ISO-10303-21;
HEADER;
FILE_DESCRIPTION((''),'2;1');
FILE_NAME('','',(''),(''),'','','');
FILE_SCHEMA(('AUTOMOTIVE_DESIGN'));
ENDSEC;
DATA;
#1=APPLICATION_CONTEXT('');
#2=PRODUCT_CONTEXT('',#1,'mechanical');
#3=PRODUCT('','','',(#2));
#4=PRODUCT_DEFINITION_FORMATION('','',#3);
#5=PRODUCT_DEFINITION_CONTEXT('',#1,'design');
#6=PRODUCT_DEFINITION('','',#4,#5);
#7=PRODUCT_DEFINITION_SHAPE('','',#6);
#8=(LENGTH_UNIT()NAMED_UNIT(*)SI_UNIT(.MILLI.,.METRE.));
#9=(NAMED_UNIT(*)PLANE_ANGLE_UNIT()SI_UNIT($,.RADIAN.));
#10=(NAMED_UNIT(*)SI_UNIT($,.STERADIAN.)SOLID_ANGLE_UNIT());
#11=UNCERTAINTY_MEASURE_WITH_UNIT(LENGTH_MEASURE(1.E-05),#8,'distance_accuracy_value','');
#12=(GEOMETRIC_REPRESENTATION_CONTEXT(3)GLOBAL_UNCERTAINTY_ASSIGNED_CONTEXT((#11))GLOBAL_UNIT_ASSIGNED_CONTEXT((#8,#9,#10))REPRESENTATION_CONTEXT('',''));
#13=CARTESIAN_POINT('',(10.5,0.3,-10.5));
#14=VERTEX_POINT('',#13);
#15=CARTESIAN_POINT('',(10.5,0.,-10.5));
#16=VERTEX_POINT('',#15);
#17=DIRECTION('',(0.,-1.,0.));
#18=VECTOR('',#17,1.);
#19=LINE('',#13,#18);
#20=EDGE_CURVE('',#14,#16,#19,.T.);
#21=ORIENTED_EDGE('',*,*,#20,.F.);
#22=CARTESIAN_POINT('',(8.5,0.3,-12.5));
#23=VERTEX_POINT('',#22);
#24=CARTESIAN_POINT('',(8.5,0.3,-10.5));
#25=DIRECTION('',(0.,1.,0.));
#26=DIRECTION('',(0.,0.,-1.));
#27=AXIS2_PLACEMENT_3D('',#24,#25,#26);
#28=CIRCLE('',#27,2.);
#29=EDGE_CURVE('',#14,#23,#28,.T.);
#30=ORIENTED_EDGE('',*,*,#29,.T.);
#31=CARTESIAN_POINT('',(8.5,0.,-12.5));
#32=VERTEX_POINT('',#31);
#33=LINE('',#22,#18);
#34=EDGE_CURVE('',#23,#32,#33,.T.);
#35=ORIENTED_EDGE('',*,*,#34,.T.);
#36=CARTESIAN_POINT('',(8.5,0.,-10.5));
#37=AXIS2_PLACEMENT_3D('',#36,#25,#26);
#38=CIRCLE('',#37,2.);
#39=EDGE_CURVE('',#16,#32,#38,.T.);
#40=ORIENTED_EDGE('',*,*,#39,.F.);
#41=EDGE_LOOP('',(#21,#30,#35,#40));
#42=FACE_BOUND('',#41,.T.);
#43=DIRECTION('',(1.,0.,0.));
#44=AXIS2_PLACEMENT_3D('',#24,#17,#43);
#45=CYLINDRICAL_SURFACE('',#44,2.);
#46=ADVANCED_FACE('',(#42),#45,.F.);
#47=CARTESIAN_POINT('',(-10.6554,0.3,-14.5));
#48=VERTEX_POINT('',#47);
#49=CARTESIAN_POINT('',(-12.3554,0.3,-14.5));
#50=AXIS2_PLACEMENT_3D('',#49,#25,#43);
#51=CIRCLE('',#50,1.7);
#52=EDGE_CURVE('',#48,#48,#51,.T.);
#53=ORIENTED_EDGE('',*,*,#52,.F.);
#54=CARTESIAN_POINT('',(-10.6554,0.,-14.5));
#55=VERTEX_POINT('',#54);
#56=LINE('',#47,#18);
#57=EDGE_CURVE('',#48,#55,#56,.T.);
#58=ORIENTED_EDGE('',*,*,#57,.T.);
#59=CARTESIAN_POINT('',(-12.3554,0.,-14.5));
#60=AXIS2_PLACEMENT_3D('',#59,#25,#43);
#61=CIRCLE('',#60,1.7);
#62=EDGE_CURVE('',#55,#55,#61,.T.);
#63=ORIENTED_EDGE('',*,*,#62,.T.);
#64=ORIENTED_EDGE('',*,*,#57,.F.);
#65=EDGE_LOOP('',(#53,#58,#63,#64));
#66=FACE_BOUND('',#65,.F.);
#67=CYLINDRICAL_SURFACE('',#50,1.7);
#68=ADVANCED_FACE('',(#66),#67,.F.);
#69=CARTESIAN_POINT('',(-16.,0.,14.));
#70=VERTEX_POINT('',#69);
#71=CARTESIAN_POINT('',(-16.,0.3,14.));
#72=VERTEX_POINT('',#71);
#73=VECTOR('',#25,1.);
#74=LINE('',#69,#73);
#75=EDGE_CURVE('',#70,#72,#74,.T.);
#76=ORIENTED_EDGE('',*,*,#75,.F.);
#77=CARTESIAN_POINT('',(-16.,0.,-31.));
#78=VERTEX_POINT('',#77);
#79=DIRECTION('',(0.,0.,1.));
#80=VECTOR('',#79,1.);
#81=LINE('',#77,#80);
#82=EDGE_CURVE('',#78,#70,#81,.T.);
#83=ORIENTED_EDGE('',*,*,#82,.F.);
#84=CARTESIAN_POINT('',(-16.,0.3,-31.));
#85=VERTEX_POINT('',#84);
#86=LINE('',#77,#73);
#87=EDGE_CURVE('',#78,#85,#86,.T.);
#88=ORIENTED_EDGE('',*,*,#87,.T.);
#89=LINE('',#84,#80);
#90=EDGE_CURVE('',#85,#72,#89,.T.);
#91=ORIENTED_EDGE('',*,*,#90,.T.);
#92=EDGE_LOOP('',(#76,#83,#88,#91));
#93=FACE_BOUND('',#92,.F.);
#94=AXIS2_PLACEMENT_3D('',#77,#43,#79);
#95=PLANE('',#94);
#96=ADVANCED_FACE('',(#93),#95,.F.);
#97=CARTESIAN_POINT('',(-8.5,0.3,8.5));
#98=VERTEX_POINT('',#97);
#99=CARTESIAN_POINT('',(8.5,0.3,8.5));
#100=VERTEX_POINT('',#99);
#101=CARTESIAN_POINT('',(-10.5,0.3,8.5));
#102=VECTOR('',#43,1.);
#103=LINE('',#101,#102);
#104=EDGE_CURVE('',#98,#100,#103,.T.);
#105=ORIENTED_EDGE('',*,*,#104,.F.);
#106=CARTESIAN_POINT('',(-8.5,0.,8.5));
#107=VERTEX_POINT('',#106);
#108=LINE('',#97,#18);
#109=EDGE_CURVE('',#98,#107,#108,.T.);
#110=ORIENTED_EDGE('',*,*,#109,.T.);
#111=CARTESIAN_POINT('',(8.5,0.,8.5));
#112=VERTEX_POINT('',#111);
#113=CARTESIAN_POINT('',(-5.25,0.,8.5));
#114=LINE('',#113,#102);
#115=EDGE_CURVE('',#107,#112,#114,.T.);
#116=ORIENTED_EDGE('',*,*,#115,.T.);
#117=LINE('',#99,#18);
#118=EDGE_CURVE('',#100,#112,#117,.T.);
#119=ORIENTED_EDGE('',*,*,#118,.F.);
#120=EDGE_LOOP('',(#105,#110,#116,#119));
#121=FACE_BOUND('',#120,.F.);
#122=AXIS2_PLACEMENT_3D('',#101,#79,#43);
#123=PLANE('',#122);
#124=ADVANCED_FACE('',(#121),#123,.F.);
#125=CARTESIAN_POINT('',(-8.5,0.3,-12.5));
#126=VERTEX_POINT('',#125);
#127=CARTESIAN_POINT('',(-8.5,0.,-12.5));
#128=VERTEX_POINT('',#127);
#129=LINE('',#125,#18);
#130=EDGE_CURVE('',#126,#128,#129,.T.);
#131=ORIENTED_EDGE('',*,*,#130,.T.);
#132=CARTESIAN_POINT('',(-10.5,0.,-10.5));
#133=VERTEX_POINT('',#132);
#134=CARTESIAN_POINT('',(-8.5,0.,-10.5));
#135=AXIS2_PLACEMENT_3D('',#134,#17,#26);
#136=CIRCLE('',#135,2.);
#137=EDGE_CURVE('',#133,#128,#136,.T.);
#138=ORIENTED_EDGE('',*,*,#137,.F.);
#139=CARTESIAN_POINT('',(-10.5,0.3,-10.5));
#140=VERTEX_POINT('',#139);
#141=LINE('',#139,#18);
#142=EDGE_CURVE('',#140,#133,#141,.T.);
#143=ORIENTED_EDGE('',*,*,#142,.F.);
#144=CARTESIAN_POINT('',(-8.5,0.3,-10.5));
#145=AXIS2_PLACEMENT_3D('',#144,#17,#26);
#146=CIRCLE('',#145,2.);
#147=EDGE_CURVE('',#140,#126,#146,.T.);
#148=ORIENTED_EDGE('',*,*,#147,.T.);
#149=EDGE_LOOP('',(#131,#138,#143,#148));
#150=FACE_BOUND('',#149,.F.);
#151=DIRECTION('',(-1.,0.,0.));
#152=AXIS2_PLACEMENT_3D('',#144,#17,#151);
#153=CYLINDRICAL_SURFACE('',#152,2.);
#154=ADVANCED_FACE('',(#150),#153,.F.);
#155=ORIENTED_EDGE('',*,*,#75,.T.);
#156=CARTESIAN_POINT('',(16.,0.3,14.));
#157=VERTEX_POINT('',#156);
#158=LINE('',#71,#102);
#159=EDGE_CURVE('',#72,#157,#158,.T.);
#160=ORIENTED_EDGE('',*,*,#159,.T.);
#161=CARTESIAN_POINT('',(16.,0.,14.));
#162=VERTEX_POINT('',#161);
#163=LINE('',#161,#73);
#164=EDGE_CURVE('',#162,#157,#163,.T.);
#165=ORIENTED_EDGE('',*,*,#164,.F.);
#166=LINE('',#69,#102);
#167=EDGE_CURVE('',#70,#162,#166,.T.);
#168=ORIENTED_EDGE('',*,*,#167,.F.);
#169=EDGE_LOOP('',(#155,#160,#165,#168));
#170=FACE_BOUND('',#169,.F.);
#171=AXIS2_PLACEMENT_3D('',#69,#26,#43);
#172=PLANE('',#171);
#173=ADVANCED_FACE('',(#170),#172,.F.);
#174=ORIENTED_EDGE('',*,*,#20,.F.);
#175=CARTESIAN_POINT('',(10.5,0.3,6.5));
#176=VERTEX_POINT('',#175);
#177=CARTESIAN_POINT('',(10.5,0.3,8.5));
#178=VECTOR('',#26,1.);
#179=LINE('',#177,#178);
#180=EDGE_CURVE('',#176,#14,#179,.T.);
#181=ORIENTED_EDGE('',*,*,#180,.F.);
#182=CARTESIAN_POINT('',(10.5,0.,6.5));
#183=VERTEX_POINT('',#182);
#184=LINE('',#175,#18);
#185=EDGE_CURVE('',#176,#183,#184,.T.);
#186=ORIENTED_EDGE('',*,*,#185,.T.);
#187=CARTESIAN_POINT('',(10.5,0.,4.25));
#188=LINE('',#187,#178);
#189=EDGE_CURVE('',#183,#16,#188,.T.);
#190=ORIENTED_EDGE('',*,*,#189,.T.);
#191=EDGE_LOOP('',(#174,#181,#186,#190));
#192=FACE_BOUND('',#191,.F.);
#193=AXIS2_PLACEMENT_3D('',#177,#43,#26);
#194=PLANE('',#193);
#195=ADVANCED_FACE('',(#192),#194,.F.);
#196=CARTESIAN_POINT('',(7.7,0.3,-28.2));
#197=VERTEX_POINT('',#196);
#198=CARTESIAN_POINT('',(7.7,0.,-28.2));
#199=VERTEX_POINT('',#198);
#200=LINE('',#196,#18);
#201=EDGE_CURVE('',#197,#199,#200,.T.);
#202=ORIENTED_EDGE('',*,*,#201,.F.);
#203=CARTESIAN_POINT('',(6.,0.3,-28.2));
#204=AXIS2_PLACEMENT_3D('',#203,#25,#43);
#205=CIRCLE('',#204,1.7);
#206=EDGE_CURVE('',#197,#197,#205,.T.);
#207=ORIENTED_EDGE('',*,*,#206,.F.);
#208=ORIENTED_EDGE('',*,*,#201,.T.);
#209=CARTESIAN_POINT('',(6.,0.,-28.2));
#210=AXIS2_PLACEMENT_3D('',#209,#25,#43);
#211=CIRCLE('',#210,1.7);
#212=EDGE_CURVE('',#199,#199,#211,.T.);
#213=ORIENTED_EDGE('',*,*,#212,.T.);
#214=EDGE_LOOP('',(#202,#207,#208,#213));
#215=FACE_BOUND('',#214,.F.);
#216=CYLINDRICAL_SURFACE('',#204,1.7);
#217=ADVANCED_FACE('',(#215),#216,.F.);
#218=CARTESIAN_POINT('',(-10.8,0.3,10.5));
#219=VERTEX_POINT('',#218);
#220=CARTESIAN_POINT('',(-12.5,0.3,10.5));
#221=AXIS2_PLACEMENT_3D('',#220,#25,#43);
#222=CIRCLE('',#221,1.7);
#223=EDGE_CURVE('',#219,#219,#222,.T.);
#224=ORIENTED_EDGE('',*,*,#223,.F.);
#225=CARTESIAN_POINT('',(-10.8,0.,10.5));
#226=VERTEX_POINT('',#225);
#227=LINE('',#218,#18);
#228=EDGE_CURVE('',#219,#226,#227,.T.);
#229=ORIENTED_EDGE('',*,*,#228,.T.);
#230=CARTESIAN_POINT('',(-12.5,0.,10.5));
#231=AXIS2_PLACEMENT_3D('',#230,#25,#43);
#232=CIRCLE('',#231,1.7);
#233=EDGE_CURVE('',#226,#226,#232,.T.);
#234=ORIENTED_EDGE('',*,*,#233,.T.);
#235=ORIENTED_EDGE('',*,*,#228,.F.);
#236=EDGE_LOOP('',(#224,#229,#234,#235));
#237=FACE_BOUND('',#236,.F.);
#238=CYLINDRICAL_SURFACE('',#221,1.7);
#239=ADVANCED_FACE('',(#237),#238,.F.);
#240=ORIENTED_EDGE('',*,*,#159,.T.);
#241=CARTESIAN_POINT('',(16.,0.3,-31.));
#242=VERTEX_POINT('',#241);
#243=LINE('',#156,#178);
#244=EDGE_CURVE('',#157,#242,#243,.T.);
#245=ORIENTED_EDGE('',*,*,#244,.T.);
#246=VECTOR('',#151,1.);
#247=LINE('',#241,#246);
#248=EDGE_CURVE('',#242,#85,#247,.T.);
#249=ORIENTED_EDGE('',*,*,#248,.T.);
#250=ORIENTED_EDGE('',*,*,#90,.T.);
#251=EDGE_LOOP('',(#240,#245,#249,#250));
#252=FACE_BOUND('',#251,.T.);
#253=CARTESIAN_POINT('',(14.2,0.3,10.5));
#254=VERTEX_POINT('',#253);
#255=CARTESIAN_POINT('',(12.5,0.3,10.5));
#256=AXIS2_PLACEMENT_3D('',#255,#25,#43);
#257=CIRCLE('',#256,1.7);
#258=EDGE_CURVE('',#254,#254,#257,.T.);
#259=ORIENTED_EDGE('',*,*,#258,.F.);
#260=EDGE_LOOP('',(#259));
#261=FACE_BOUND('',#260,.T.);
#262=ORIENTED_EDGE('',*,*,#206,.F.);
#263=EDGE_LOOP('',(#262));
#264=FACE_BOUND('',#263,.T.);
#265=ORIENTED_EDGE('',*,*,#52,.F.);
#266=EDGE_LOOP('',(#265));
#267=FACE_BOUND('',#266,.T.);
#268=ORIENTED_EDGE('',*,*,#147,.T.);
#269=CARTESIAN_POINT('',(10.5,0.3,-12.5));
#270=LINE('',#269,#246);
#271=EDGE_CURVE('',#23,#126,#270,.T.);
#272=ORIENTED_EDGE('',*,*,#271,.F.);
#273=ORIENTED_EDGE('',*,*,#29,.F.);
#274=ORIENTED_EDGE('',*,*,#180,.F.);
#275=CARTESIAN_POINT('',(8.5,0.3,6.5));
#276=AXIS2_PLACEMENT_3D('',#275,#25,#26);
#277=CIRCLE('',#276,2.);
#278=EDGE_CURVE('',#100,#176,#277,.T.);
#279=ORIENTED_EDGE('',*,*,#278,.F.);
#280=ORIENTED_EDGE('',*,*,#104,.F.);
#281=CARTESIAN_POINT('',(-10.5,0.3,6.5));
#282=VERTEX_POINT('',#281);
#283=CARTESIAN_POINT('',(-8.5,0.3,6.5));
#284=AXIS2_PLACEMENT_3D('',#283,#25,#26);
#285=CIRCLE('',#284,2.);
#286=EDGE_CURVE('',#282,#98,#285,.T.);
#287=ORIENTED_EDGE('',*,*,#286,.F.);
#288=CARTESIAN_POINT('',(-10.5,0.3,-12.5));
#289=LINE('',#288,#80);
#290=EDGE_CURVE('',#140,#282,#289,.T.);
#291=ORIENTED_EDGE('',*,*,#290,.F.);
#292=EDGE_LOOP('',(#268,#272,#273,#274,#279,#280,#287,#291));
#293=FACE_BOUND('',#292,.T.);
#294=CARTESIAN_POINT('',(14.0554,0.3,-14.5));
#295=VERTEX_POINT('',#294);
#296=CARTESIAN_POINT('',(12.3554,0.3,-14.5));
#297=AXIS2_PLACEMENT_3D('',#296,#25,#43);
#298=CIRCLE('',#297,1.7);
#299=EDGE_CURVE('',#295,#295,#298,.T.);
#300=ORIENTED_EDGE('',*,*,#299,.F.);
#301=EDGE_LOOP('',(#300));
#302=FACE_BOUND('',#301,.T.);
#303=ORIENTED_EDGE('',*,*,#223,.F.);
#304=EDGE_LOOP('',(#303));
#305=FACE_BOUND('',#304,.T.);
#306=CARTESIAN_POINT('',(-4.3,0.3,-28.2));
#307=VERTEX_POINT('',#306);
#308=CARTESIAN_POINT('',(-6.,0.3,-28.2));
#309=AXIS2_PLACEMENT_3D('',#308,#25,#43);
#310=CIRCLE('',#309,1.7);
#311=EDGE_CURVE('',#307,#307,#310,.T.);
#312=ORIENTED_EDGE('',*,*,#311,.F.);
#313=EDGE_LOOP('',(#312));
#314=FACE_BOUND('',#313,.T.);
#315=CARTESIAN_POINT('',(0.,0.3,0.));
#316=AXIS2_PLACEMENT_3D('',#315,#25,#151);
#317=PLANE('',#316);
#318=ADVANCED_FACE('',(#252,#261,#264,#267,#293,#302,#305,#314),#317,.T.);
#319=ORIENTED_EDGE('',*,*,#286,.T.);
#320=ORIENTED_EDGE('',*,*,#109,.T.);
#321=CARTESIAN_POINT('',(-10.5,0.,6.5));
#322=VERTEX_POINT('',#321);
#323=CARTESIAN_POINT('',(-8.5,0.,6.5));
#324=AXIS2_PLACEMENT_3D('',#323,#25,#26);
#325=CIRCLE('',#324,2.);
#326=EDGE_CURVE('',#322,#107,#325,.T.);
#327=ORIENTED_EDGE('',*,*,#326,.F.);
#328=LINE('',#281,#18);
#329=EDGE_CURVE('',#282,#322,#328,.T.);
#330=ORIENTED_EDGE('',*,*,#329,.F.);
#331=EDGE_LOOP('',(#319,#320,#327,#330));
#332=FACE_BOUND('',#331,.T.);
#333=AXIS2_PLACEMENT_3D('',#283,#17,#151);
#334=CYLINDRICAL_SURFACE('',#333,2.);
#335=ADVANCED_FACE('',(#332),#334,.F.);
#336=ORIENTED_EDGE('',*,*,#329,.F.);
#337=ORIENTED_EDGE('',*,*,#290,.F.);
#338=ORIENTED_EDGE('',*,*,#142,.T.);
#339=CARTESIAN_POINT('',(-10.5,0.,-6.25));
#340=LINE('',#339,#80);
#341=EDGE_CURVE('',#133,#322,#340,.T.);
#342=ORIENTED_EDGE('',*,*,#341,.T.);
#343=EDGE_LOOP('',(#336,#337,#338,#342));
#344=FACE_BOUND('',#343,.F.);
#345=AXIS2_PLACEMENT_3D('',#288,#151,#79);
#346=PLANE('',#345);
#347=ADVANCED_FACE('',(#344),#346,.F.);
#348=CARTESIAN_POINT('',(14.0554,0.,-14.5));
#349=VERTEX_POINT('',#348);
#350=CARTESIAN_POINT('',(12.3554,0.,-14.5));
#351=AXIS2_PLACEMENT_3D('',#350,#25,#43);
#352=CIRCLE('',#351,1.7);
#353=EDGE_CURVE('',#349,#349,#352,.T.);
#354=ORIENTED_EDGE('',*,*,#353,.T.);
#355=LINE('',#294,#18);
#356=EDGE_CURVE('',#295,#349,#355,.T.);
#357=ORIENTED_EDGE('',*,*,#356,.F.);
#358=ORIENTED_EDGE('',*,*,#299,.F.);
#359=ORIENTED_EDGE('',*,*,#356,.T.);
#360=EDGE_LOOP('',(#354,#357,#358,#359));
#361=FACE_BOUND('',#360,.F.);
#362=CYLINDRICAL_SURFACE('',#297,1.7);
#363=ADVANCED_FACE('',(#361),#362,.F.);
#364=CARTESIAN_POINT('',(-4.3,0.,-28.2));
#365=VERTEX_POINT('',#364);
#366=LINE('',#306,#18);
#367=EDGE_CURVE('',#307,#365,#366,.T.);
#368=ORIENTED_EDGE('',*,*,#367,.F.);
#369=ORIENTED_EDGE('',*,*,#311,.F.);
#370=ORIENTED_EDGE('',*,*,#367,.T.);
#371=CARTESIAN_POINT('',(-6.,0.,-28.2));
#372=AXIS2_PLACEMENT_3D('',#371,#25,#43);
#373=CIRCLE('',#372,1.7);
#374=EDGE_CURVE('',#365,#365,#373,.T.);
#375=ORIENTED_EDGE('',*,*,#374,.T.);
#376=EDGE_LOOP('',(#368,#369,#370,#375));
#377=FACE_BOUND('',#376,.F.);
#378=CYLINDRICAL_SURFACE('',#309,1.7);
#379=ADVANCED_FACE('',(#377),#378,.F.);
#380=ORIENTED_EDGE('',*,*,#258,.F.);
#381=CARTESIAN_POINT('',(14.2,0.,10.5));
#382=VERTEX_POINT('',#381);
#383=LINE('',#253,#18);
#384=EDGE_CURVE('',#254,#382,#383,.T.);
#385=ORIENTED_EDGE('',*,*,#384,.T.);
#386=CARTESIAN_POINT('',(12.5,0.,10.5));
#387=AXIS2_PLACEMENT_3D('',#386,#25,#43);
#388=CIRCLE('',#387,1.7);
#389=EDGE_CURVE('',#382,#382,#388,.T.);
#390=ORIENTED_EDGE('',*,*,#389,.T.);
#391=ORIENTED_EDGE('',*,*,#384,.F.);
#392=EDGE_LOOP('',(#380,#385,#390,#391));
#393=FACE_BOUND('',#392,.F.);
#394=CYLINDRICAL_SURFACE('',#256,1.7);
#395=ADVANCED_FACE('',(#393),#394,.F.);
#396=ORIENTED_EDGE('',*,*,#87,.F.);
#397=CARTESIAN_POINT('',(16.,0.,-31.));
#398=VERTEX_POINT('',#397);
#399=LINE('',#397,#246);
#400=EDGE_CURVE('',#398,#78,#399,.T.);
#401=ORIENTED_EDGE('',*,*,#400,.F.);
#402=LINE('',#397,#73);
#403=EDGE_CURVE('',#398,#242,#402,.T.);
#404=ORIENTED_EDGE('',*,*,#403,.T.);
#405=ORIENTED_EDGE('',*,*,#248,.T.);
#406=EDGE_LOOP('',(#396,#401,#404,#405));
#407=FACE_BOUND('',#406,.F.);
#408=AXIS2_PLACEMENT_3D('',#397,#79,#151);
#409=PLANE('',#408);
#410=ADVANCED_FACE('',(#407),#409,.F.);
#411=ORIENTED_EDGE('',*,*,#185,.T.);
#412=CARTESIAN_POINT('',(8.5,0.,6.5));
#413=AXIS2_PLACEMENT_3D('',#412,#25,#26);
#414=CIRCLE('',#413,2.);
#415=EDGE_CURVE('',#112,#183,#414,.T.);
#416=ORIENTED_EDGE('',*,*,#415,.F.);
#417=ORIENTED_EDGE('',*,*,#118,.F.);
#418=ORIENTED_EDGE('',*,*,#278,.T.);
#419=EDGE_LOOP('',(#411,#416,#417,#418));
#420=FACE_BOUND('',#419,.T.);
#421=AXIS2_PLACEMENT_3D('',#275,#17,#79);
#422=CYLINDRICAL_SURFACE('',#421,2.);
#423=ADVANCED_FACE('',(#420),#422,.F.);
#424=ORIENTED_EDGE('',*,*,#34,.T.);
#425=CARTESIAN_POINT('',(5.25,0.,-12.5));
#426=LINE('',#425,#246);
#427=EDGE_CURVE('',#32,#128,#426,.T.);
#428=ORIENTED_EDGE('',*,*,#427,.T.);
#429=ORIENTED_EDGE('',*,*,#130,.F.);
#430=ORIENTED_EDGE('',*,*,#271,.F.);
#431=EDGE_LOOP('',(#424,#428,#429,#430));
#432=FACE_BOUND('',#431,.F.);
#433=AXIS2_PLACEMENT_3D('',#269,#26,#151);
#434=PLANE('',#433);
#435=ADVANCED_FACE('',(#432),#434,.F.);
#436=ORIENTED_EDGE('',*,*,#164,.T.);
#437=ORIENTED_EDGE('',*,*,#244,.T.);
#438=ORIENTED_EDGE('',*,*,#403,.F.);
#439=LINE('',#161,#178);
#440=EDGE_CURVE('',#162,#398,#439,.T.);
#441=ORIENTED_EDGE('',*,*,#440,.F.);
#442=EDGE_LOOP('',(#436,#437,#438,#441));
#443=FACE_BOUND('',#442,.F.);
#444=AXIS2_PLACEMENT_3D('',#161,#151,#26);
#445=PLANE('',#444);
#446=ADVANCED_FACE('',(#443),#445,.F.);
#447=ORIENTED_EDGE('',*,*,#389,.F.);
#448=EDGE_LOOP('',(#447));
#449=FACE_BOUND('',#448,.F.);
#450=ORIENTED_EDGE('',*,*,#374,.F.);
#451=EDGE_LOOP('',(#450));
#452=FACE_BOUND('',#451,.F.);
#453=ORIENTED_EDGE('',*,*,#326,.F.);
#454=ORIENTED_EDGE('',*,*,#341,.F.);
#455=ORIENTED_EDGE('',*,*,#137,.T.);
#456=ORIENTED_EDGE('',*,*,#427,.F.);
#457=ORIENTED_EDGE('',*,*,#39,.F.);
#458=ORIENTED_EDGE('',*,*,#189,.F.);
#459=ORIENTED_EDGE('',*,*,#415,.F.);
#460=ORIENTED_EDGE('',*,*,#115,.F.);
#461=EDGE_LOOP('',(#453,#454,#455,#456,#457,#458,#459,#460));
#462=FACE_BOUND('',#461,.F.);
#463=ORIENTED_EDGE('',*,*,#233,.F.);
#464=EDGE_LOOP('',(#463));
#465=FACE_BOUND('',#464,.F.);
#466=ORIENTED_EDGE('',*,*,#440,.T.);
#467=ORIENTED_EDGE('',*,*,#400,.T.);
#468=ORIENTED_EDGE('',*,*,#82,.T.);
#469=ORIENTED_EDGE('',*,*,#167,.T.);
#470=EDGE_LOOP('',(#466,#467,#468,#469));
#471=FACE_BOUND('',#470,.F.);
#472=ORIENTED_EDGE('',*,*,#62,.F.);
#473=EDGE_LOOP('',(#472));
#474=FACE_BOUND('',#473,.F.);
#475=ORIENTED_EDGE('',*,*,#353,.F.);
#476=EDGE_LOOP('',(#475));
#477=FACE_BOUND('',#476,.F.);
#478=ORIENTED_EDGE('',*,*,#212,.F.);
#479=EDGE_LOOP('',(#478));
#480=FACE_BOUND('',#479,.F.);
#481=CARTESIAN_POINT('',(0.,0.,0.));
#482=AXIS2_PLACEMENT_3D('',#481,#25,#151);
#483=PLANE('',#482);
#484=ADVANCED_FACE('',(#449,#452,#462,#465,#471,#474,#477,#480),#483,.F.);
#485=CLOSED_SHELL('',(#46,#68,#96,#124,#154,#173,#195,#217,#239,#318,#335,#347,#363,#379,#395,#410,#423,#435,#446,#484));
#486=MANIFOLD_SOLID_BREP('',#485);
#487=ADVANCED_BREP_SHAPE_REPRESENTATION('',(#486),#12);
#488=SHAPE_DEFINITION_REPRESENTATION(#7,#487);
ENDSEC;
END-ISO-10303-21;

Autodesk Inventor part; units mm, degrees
ref_plane "YZ Plane" through (0, 0, 0) normal (1, 0, 0) x (0, 1, 0)
ref_plane "XZ Plane" through (0, 0, 0) normal (0, 1, 0) x (-1, 0, 0)
ref_plane "XY Plane" through (0, 0, 0) normal (0, 0, 1) x (1, 0, 0)
sketch "スケッチ1" plane through (0, 0, 0) normal (0, 1, 0) x (-1, 0, 0)
  line L0 (16, -31) -> (16, 14)
  line L1 (16, 14) -> (-16, 14)
  line L2 (-16, 14) -> (-16, -31)
  line L3 (-16, -31) -> (16, -31)
  line L4 (0, 0) -> (0, -32.6995) construction
  point P0 (0, 14)
  dimension "d0" = 45
  dimension "d1" = 32
  dimension "d2" = 14
extrude "押し出し1" add sketch "スケッチ1" along normal blind 0.3
sketch "スケッチ4" plane through (0, 0.3, 0) normal (0, 1, 0) x (1, 0, 0)
  line L0 (0, 0) -> (-18.7084, 0) construction
  circle A0 centre (-6, 28.2) radius 1.7
  circle A1 centre (6, 28.2) radius 1.7
  line L1 (0, 0) -> (0, 29.6633) construction
  line L2 (16, 31) -> (-16, 31) projected
  point P0 (0, 31)
  dimension "d35" = 3.4
  dimension "d36" = 3.4
  dimension "d37" = 6
  dimension "d38" = 2.8
extrude "押し出し3" cut sketch "スケッチ4" against normal through all
sketch "スケッチ7" plane through (0, 0.3, 0) normal (0, 1, 0) x (1, 0, 0)
  circle A0 centre (-12.5, -10.5) radius 1.7
  circle A1 centre (12.5, -10.5) radius 1.7
  circle A2 centre (12.3554, 14.5) radius 1.7
  circle A3 centre (-12.3554, 14.5) radius 1.7
  line L0 (0, 0) -> (0, 34.4459) construction
  point P0 (-16, -14)
  dimension "d47" = 3.4
  dimension "d48" = 3.4
  dimension "d49" = 3.4
  dimension "d50" = 3.4
  dimension "d51" = 25
  dimension "d52" = 25
  dimension "d55" = 3.5
extrude "押し出し6" cut sketch "スケッチ7" against normal through all
sketch "スケッチ8" plane through (0, 0.3, 0) normal (0, 1, 0) x (1, 0, 0)
  line L0 (-10.5, -8.5) -> (10.5, -8.5)
  line L1 (10.5, -8.5) -> (10.5, 12.5)
  line L2 (10.5, 12.5) -> (-10.5, 12.5)
  line L3 (-10.5, 12.5) -> (-10.5, -8.5)
  line L4 (0, 0) -> (0, 16.5634) construction
  point P0 (-16, -14)
  dimension "d56" = 21
  dimension "d57" = 21
  dimension "d58" = 5.5
extrude "押し出し7" cut sketch "スケッチ8" against normal through all
fillet "フィレット1" radius 2 4 edges at (-10.5, 0.15, -12.5) (-10.5, 0.15, 8.5) (10.5, 0.15, 8.5) (10.5, 0.15, -12.5)
properties part number "B_holder_middle_muti-holes" material "ステンレス鋼 440C"
